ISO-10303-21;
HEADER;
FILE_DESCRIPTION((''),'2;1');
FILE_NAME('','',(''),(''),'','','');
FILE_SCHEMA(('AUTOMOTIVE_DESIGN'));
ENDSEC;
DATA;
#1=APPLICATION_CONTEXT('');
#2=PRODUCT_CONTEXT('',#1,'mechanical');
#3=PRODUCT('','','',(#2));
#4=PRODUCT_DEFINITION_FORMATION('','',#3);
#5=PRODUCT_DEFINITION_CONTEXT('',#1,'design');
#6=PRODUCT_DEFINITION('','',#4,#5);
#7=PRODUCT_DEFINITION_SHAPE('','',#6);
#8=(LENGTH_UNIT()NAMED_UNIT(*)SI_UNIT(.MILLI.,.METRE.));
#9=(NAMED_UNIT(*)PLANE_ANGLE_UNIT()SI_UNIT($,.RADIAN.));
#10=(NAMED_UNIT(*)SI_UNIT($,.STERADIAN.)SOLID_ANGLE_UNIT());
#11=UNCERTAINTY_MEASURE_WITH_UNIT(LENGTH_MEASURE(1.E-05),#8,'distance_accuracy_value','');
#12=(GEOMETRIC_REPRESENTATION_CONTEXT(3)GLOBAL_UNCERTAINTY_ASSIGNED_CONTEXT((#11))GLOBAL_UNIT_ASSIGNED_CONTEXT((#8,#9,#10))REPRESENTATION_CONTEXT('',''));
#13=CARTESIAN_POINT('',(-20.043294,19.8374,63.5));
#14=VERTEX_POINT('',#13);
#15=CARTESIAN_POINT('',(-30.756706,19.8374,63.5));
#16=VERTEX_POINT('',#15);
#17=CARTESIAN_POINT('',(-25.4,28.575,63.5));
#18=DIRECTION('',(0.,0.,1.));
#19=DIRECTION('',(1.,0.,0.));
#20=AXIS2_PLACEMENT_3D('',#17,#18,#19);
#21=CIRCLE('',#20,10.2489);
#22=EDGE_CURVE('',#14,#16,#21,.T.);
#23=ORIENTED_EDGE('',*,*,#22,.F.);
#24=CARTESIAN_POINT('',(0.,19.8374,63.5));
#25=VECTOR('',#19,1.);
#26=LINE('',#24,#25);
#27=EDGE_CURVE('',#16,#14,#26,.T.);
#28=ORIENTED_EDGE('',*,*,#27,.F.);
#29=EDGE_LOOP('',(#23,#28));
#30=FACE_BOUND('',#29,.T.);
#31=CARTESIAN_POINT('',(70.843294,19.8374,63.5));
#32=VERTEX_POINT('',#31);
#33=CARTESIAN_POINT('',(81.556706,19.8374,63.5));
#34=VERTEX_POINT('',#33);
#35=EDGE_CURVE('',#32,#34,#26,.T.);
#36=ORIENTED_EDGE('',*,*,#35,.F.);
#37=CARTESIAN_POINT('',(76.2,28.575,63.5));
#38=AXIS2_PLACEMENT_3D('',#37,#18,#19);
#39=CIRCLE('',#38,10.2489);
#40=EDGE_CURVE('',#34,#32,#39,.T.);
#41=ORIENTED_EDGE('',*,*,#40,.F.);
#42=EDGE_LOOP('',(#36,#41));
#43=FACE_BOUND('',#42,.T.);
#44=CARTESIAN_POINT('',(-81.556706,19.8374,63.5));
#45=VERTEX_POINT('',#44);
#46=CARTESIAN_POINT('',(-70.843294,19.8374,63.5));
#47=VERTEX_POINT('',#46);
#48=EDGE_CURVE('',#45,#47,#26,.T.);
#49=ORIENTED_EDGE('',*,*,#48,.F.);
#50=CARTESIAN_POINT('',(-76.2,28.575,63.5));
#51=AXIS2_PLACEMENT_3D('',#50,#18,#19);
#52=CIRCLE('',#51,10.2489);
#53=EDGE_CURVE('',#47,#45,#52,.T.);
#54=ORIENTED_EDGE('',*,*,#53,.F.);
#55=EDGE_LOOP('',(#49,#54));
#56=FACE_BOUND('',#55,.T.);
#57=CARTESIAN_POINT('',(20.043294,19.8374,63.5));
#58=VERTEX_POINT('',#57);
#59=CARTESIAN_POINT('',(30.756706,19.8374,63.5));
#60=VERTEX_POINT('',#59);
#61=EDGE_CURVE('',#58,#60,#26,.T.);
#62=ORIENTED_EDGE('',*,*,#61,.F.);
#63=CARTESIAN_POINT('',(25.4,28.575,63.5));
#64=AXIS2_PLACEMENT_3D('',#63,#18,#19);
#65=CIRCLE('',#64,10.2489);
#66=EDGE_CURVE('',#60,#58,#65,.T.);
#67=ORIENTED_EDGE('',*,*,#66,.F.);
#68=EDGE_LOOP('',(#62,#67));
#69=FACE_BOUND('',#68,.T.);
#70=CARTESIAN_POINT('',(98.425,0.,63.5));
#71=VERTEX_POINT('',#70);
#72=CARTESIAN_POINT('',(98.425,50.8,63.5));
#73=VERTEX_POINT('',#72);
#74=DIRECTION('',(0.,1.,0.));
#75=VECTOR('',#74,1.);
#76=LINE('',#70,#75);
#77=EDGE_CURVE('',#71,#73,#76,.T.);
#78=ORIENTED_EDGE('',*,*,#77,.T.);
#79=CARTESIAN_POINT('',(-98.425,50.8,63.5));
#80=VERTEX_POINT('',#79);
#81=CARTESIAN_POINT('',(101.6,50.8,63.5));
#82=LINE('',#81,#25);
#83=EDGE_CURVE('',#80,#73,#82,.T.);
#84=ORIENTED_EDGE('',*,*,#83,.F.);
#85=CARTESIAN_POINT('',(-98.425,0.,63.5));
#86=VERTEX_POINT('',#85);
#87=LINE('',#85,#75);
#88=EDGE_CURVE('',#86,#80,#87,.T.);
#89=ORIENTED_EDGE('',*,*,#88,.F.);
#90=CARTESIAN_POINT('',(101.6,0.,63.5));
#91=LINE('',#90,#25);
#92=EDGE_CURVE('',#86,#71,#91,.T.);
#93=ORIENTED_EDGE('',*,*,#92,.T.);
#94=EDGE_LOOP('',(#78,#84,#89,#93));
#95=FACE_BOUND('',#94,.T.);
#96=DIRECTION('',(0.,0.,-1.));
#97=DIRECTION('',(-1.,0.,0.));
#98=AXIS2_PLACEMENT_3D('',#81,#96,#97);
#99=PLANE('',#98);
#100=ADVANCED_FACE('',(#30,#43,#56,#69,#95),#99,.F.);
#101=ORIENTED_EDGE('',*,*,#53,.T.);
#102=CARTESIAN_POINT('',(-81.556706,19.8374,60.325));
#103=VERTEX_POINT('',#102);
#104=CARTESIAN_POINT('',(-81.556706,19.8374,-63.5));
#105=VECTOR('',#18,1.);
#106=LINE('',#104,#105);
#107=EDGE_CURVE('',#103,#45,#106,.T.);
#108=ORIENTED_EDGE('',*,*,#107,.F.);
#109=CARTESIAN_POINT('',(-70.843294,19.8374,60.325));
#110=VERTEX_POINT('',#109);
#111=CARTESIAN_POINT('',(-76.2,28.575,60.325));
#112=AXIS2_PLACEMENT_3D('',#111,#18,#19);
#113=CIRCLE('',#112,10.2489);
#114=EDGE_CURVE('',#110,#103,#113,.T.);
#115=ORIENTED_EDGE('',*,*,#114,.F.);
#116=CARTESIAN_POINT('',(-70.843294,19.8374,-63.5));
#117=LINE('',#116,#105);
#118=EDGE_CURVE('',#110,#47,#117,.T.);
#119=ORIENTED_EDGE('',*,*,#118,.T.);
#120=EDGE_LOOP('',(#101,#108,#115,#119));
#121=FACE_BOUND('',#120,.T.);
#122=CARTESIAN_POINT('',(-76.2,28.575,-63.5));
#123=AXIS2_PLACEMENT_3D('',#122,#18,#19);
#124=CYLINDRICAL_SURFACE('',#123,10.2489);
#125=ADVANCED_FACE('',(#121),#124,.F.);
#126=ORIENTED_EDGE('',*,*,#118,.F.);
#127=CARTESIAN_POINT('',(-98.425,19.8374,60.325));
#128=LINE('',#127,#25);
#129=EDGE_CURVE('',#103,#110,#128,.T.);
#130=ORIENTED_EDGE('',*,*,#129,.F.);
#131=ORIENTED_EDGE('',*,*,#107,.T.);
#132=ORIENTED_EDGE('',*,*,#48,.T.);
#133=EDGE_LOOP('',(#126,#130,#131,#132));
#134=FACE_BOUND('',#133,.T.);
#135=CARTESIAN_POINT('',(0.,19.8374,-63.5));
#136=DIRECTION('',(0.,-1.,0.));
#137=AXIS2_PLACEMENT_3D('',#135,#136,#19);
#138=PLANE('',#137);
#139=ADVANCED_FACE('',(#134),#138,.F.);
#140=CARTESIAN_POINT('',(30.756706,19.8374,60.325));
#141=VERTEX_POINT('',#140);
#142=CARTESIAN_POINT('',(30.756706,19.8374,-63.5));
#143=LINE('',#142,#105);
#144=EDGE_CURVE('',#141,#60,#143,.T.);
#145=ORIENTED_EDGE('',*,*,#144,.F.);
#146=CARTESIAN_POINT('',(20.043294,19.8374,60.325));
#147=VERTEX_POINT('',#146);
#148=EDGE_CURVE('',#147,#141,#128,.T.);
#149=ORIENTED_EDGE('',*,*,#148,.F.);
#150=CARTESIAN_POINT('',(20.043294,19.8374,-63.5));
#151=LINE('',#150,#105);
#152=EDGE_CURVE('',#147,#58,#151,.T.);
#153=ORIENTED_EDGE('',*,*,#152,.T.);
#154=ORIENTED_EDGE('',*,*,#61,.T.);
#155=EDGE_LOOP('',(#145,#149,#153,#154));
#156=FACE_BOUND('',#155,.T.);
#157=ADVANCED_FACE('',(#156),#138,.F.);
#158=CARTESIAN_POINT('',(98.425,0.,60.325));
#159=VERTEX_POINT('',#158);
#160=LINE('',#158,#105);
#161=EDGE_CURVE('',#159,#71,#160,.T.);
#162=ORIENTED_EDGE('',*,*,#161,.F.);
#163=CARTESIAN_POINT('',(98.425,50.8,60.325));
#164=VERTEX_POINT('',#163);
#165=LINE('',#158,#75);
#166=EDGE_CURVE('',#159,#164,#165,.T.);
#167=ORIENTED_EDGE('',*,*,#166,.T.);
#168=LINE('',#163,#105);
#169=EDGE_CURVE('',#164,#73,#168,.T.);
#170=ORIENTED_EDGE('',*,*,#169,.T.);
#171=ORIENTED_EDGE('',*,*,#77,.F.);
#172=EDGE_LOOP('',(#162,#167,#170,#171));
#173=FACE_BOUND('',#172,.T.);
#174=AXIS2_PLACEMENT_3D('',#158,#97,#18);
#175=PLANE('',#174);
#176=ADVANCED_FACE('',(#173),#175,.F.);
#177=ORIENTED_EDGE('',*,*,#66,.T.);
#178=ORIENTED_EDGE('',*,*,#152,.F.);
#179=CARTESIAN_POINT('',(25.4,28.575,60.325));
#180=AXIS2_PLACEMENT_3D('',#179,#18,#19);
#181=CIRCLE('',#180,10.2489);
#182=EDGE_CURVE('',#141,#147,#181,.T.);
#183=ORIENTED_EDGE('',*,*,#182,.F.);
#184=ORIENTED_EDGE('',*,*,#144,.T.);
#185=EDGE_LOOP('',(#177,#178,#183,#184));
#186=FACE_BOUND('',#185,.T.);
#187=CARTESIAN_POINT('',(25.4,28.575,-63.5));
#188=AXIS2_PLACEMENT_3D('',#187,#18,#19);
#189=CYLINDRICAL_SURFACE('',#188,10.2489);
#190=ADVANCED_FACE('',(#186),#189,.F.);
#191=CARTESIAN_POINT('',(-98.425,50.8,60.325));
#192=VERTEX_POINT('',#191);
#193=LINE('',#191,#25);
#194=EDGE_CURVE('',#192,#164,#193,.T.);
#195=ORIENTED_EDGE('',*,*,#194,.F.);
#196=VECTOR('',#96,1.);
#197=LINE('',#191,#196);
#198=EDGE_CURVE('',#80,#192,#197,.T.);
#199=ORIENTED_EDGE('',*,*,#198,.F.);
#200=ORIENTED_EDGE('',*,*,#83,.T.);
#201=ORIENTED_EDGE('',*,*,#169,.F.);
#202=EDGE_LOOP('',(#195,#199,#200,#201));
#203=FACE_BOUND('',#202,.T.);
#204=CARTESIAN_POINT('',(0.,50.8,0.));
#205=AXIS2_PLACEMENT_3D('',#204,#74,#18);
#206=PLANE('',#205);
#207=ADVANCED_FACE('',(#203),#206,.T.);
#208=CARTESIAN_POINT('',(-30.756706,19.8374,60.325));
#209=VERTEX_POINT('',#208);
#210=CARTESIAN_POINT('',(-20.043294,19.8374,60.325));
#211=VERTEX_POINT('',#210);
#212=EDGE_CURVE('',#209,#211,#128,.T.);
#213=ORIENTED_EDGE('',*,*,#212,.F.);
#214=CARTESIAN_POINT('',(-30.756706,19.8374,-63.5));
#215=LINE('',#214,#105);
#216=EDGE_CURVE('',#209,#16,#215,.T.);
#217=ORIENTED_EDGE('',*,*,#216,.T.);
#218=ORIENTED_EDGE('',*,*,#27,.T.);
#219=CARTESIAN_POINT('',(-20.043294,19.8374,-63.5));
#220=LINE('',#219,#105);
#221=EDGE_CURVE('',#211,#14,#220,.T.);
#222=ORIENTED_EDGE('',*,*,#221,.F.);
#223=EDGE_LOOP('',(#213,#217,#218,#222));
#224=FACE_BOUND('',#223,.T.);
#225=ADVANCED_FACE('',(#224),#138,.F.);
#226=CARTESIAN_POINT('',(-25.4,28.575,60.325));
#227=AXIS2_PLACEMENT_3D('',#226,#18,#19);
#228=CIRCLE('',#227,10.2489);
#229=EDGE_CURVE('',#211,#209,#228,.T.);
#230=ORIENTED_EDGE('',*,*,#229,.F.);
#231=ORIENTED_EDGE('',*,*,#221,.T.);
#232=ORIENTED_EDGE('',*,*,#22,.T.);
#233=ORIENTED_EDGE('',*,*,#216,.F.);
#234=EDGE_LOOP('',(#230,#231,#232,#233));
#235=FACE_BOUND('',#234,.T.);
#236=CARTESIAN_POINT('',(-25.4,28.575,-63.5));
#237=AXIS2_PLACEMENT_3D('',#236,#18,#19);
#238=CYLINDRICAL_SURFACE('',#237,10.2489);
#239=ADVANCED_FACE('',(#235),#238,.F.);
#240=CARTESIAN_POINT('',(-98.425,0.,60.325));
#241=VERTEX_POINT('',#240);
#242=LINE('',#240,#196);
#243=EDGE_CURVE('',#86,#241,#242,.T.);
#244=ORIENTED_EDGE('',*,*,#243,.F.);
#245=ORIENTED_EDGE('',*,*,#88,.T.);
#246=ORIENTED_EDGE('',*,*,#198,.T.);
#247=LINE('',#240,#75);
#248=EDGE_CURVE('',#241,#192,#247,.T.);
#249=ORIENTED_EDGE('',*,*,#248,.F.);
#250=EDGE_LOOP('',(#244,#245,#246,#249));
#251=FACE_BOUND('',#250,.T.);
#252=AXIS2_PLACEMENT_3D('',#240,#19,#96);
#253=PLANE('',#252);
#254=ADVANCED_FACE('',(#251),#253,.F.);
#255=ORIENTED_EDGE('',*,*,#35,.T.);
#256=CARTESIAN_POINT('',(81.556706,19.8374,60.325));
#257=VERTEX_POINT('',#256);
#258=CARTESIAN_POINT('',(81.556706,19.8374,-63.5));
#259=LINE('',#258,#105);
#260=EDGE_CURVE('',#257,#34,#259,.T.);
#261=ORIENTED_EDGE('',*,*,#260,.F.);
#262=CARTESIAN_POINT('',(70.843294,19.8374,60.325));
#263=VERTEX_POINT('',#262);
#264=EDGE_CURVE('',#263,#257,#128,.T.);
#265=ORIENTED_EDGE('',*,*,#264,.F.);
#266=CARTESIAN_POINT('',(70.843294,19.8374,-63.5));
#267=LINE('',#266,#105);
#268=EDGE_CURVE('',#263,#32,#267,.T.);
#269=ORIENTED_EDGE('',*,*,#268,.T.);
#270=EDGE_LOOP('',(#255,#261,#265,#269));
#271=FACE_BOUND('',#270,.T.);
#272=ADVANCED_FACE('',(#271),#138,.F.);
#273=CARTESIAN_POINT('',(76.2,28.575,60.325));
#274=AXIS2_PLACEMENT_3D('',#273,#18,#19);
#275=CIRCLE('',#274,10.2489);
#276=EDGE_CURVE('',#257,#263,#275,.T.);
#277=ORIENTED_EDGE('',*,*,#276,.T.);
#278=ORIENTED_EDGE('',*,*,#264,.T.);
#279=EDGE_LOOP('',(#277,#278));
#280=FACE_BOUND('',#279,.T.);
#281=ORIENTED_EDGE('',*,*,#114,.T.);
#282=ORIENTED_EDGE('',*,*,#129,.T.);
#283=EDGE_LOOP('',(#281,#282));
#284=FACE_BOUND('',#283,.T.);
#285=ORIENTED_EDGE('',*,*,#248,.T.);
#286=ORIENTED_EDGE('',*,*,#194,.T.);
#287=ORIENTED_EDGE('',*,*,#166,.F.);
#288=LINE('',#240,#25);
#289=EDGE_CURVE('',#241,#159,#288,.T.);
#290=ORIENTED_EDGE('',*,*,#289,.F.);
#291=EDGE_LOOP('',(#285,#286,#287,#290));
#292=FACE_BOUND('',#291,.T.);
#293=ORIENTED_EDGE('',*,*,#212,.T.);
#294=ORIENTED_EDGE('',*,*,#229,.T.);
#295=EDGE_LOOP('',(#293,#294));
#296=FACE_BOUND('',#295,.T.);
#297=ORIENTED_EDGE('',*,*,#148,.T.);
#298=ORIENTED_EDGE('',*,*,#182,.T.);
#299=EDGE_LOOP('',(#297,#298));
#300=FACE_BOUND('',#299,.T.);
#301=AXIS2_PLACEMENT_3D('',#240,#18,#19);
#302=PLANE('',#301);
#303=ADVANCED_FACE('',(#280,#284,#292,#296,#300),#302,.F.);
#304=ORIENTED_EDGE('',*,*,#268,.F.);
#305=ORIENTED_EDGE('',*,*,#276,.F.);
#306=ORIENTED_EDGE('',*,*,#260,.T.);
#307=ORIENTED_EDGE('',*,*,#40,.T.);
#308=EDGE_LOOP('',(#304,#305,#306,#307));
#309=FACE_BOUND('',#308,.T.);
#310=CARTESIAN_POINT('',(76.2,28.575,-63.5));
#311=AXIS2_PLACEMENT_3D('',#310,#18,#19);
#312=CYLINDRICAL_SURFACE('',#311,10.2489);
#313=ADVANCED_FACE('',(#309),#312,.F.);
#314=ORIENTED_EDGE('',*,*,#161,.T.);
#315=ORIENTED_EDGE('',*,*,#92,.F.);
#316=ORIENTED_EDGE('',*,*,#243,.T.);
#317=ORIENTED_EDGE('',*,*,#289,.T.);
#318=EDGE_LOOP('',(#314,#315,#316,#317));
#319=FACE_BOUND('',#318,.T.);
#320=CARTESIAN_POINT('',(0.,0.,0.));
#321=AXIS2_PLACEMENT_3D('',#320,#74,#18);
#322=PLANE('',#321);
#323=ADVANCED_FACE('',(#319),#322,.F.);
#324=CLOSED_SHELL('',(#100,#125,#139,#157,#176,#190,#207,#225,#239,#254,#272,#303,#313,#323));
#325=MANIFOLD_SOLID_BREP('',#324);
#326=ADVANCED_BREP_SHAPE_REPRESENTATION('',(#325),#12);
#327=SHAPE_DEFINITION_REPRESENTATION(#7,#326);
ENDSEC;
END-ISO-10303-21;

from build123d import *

# Parameters (mm, degrees)
SKETCH1_W           = 203.2
SKETCH1_H           = 127
BOSS_EXTRUDE1_DEPTH = 50.8
SKETCH2_W           = 196.85
SKETCH2_H           = 120.65
CUT_EXTRUDE1_DEPTH  = 51.8
SKETCH4_W           = 203.2
SKETCH4_H           = 127
SKETCH4_W_2         = 196.85
SKETCH4_H_2         = 120.65
BOSS_EXTRUDE2_DEPTH = 6.35
CUT_EXTRUDE5_DEPTH  = 128
CUT_EXTRUDE6_REACH  = 205.2
CUT_EXTRUDE7_REACH  = 205.2
SKETCH13_R          = 12.55395
CUT_EXTRUDE8_DEPTH  = 51.8


with BuildPart() as part:
    # Sketch1 → Boss-Extrude1 (new body)
    with BuildSketch(Plane(origin=(0, 0, 0), x_dir=(1, 0, 0), z_dir=(0, 1, 0))):
        Rectangle(SKETCH1_W, SKETCH1_H)
    extrude(amount=BOSS_EXTRUDE1_DEPTH)

    # Sketch2 → Cut-Extrude1 (cut, through all)
    with BuildSketch(Plane(origin=(0, 50.8, 0), x_dir=(1, 0, 0), z_dir=(0, 1, 0))):
        Rectangle(SKETCH2_W, SKETCH2_H)
    extrude(amount=-CUT_EXTRUDE1_DEPTH, mode=Mode.SUBTRACT)

    # Sketch4 → Boss-Extrude2 (add)
    with BuildSketch(Plane(origin=(0, 50.8, 0), x_dir=(1, 0, 0), z_dir=(0, 1, 0))):
        Rectangle(SKETCH4_W, SKETCH4_H)
        Rectangle(SKETCH4_W_2, SKETCH4_H_2, mode=Mode.SUBTRACT)
    extrude(amount=-BOSS_EXTRUDE2_DEPTH)

    # Sketch10 → Cut-Extrude5 (cut, through all)
    with BuildSketch(Plane.XY.offset(63.5)):
        with BuildLine():
            ThreePointArc((-70.843294161, 19.8374), (-76.2, 38.8239), (-81.556705839, 19.8374))
            Line((-81.556705839, 19.8374), (-70.843294161, 19.8374))
        make_face()
        with BuildLine():
            ThreePointArc((81.556705839, 19.8374), (76.2, 38.8239), (70.843294161, 19.8374))
            Line((70.843294161, 19.8374), (81.556705839, 19.8374))
        make_face()
        with BuildLine():
            ThreePointArc((30.756705839, 19.8374), (25.4, 38.8239), (20.043294161, 19.8374))
            Line((20.043294161, 19.8374), (30.756705839, 19.8374))
        make_face()
        with BuildLine():
            ThreePointArc((-20.043294161, 19.8374), (-25.4, 38.8239), (-30.756705839, 19.8374))
            Line((-30.756705839, 19.8374), (-20.043294161, 19.8374))
        make_face()
    extrude(amount=-CUT_EXTRUDE5_DEPTH, mode=Mode.SUBTRACT)

    # Sketch12 → Cut-Extrude6 (cut, up to next)
    with BuildSketch(Plane(origin=(101.6, 0, 0), x_dir=(0, 0, -1), z_dir=(1, 0, 0)), mode=Mode.PRIVATE) as cut_extrude6_sk1:
        with BuildLine():
            ThreePointArc((-20.043294161, 19.8374), (-25.4, 38.8239), (-30.756705839, 19.8374))
            Line((-30.756705839, 19.8374), (-20.043294161, 19.8374))
        make_face()
    cut_extrude6_tool1 = extrude(cut_extrude6_sk1.sketch, amount=-CUT_EXTRUDE6_REACH, mode=Mode.PRIVATE) & part.part
    add(cut_extrude6_tool1.solids().sort_by_distance((101.6, 28.896198, 25.4))[0], mode=Mode.SUBTRACT)
    # Sketch12 → Cut-Extrude6 (cut, up to next)
    with BuildSketch(Plane(origin=(101.6, 0, 0), x_dir=(0, 0, -1), z_dir=(1, 0, 0)), mode=Mode.PRIVATE) as cut_extrude6_sk2:
        with BuildLine():
            ThreePointArc((30.756705839, 19.8374), (25.4, 38.8239), (20.043294161, 19.8374))
            Line((20.043294161, 19.8374), (30.756705839, 19.8374))
        make_face()
    cut_extrude6_tool2 = extrude(cut_extrude6_sk2.sketch, amount=-CUT_EXTRUDE6_REACH, mode=Mode.PRIVATE) & part.part
    add(cut_extrude6_tool2.solids().sort_by_distance((101.6, 28.896198, -25.4))[0], mode=Mode.SUBTRACT)

    # Sketch13 → Cut-Extrude7 (cut, up to next)
    with BuildSketch(Plane.ZY.offset(101.6), mode=Mode.PRIVATE) as cut_extrude7_sk1:
        with Locations((12.7, 28.575)):
            Circle(SKETCH13_R)
    cut_extrude7_tool1 = extrude(cut_extrude7_sk1.sketch, amount=-CUT_EXTRUDE7_REACH, mode=Mode.PRIVATE) & part.part
    add(cut_extrude7_tool1.solids().sort_by_distance((-101.6, 28.575, 12.7))[0], mode=Mode.SUBTRACT)

    # Sketch14 → Cut-Extrude8 (cut, through all)
    with BuildSketch(Plane(origin=(0, 50.8, 0), x_dir=(1, 0, 0), z_dir=(0, 1, 0))):
        Polygon((-98.425, -60.325), (-98.425, -63.5), (-101.6, -63.5), (-101.6, 63.5), (101.6, 63.5), (101.6, -63.5), (98.425, -63.5), (98.425, -60.325), align=None)
    extrude(amount=-CUT_EXTRUDE8_DEPTH, mode=Mode.SUBTRACT)


solid = part.part
